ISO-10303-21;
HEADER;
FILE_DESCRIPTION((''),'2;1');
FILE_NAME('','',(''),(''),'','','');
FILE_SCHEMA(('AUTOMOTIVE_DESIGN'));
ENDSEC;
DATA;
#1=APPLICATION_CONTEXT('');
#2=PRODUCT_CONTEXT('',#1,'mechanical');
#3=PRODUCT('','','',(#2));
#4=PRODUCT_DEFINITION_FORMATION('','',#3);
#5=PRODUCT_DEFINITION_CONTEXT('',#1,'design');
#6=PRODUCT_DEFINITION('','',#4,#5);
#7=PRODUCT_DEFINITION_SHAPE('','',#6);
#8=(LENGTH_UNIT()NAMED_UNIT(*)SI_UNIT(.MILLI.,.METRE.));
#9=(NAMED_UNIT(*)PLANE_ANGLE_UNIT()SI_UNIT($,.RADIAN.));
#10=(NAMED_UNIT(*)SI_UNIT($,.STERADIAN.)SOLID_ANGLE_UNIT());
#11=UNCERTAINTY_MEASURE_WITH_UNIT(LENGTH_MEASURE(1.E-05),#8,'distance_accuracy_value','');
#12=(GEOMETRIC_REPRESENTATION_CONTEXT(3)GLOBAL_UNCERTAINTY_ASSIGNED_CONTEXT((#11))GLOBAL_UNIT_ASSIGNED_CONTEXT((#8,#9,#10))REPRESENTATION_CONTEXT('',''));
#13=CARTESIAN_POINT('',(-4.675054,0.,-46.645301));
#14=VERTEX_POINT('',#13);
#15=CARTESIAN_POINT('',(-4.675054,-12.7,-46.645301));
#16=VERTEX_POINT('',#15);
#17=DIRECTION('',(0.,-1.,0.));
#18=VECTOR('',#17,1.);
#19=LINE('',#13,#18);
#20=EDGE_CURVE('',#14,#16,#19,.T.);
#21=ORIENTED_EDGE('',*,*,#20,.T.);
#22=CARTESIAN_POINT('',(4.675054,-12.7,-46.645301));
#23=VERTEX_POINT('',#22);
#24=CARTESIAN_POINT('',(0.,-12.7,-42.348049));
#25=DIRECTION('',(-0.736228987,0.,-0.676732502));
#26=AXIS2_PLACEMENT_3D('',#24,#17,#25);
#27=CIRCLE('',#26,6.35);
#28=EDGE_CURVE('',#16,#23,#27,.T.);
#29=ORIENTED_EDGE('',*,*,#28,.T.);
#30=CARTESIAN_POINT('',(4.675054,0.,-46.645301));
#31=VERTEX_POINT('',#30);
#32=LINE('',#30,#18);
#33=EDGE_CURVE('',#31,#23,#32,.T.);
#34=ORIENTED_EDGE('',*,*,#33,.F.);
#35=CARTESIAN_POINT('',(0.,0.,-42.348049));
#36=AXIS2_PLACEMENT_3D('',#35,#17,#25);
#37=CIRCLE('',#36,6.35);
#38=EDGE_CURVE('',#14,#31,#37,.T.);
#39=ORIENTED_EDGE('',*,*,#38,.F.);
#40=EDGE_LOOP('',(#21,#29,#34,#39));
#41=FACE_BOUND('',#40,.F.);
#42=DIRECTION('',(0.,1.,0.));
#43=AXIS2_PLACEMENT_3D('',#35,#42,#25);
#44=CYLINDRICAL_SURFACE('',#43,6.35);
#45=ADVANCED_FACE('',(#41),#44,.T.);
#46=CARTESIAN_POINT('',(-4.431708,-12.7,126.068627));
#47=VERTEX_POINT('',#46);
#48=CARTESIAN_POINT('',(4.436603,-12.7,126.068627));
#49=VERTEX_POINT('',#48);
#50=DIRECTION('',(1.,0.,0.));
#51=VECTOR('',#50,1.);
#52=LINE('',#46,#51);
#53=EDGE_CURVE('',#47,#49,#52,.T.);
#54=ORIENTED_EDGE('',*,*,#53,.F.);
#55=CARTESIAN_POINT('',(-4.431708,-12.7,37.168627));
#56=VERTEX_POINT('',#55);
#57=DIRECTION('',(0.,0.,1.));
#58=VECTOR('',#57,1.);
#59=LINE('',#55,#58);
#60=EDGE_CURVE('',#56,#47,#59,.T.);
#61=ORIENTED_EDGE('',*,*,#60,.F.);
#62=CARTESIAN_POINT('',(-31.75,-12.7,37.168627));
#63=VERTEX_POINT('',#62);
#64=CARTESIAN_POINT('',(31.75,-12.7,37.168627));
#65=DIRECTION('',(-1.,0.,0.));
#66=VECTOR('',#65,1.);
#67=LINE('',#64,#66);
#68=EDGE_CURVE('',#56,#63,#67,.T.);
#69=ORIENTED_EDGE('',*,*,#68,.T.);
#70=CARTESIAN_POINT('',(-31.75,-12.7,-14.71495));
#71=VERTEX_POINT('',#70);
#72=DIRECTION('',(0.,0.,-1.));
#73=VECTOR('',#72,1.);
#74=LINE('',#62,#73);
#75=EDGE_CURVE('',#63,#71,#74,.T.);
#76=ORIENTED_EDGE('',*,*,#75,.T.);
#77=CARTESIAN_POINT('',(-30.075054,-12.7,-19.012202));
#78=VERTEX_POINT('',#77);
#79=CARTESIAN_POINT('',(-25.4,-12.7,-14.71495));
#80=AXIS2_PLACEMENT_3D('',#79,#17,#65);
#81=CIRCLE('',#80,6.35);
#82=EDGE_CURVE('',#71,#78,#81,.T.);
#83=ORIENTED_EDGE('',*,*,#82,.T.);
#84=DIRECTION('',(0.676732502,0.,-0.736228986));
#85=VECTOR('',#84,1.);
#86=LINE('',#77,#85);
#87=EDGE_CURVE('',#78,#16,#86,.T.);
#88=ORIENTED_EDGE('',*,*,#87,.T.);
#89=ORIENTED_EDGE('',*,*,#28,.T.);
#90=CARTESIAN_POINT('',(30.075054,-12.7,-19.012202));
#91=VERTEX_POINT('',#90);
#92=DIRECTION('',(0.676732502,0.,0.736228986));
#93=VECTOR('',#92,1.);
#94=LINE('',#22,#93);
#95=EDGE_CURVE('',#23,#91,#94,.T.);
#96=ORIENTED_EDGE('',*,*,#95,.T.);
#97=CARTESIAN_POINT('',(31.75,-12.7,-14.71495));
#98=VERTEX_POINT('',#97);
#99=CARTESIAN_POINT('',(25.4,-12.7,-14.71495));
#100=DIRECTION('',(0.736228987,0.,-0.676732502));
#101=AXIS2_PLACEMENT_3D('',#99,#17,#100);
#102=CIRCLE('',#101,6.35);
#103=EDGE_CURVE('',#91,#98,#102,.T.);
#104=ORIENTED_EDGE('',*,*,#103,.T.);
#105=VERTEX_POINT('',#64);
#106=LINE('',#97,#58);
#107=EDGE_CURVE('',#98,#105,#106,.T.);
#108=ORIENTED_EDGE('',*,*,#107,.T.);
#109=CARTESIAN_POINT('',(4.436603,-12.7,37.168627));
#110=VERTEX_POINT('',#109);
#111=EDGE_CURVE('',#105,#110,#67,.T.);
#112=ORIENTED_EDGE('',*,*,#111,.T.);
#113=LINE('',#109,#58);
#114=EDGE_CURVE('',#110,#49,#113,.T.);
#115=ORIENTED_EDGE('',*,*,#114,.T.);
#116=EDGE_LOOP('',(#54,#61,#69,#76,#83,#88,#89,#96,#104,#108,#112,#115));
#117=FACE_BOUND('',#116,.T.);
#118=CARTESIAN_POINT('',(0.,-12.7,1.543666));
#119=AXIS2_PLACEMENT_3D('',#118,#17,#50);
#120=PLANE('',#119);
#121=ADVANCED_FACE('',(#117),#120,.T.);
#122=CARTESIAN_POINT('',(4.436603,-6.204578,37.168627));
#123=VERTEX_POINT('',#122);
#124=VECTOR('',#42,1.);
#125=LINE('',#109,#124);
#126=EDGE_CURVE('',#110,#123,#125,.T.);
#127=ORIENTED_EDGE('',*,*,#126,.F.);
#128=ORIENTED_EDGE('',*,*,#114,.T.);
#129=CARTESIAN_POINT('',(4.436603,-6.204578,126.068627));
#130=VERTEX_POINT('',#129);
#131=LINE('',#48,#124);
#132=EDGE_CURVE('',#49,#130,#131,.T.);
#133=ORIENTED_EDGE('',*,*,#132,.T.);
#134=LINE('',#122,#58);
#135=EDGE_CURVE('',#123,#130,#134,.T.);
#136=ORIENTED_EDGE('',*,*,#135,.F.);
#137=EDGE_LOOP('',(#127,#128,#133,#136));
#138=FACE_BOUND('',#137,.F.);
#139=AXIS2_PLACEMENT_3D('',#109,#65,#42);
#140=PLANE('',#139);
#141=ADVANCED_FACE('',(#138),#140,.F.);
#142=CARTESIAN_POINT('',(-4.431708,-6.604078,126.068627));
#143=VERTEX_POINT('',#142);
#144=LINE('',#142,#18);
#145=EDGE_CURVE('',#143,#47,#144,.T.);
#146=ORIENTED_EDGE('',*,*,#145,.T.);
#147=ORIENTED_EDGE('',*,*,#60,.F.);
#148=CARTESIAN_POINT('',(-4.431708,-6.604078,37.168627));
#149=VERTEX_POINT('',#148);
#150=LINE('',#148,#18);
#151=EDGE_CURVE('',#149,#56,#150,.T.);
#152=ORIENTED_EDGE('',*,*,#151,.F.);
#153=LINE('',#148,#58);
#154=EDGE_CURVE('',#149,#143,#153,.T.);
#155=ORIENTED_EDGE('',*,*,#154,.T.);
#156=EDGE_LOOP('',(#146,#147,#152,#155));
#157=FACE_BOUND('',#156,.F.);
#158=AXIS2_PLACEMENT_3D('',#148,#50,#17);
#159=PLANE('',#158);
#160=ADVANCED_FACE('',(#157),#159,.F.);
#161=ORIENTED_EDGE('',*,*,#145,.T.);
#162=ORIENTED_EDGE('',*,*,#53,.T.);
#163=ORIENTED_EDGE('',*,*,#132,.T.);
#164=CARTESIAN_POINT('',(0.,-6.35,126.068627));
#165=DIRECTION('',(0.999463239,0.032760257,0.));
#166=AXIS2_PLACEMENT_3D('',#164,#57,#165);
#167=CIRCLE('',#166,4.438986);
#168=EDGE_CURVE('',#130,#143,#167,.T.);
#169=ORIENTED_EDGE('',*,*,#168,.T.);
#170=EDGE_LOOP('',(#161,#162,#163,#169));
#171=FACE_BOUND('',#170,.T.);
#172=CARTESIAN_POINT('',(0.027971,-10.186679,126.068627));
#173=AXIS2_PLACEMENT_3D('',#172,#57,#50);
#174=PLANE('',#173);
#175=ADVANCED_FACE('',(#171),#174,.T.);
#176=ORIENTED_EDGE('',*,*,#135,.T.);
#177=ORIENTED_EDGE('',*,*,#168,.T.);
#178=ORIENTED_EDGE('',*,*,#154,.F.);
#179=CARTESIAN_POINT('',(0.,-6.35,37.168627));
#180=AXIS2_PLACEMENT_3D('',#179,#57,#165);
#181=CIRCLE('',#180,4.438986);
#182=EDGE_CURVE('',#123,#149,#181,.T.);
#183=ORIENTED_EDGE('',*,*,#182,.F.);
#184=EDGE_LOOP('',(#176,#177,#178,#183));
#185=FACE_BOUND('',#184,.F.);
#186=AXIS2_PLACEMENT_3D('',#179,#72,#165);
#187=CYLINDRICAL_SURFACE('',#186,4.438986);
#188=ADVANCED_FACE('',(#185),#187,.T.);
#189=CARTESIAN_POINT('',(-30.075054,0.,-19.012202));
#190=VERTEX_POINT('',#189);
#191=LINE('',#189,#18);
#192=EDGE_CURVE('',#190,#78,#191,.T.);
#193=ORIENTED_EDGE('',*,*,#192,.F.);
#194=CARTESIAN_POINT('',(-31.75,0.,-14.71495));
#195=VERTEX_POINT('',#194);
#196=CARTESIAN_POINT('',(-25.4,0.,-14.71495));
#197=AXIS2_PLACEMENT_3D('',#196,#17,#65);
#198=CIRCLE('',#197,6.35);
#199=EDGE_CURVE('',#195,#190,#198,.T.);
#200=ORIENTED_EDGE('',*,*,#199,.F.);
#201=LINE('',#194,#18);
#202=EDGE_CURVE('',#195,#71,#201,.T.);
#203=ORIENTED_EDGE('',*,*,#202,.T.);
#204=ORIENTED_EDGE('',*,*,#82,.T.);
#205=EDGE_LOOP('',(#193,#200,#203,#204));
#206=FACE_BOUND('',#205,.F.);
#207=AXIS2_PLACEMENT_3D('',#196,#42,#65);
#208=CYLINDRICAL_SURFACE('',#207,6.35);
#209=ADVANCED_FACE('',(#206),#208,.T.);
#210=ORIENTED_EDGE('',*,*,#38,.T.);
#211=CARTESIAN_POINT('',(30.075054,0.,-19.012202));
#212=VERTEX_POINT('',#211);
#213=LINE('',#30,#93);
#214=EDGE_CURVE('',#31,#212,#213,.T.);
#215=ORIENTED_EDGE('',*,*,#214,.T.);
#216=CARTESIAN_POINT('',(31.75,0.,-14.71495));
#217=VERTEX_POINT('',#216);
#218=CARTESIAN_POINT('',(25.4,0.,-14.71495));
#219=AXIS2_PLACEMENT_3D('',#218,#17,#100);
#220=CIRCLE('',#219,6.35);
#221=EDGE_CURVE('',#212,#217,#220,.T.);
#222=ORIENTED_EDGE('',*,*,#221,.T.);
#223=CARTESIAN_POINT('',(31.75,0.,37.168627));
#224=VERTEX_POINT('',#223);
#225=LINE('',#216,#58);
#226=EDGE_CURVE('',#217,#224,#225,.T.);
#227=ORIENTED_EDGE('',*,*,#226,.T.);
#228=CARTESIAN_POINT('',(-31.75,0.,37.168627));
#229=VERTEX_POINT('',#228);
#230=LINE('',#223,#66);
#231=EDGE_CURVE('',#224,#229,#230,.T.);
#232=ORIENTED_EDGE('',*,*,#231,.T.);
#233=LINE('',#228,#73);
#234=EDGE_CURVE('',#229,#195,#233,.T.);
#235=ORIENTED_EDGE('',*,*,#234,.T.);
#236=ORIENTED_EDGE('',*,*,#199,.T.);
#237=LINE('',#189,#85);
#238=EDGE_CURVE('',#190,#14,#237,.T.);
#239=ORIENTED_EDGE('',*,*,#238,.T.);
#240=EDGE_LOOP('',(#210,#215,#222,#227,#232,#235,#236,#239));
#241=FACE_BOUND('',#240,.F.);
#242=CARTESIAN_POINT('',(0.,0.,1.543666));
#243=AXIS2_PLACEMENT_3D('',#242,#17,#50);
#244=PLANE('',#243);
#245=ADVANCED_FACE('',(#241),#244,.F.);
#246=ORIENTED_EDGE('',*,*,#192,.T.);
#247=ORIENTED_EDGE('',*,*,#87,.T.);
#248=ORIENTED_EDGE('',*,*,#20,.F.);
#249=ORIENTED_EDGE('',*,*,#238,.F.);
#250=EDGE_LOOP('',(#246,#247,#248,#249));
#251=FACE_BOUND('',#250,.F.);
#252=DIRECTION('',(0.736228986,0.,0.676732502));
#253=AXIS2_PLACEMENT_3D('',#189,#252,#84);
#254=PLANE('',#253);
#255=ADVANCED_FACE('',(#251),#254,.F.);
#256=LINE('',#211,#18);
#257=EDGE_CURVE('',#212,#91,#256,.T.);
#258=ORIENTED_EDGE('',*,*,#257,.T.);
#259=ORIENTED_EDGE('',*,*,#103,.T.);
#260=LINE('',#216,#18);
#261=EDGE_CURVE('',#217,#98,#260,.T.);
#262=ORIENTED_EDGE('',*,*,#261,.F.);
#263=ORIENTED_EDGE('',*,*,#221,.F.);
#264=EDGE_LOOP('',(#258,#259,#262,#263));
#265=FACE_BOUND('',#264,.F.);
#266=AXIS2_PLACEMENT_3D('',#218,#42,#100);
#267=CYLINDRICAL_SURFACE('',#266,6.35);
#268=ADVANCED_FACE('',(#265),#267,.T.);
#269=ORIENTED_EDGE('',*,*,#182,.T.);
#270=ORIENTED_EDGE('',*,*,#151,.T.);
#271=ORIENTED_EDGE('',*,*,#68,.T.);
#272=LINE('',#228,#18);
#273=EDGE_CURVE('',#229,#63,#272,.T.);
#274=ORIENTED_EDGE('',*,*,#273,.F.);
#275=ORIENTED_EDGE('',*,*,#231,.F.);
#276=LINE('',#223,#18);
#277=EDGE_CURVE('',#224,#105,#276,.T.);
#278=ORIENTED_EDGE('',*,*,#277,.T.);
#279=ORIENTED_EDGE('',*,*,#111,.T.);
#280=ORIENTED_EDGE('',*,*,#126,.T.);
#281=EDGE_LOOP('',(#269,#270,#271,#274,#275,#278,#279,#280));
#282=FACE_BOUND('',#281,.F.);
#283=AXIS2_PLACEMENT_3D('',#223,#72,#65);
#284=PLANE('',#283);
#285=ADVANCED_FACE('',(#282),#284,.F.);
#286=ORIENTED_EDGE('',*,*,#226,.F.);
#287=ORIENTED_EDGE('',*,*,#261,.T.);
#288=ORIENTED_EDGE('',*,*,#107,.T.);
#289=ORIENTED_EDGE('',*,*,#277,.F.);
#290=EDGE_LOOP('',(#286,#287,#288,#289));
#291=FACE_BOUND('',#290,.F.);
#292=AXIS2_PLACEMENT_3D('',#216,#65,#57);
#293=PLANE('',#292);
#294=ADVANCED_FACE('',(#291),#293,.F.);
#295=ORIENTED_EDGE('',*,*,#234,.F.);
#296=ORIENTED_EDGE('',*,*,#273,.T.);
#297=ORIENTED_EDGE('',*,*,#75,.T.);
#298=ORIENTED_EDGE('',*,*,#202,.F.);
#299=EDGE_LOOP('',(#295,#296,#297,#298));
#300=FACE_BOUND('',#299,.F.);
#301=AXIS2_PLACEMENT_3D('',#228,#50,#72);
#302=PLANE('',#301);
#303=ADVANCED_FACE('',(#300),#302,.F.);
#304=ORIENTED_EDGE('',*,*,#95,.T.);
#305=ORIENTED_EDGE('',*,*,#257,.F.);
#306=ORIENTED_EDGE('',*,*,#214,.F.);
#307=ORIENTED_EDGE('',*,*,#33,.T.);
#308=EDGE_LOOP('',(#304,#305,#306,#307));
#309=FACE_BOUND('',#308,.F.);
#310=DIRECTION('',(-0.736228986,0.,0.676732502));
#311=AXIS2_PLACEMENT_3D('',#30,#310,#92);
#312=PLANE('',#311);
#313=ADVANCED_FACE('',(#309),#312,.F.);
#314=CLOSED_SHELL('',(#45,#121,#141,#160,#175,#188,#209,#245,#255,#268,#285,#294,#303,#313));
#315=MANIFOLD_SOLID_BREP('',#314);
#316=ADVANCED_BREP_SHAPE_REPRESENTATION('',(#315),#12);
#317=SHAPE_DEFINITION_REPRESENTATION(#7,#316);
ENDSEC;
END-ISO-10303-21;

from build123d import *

# Parameters (mm, degrees)
F1_DEPTH = 12.7
F3_DEPTH = 88.9


with BuildPart() as f1:
    # F0 (on Front) → F1 (new body)
    with BuildSketch(Plane.XZ):
        with BuildLine():
            Line((31.75, 37.1686270936), (-31.75, 37.1686270936))
            Line((-31.75, 37.1686270936), (-31.75, -14.7149503491))
            ThreePointArc((-31.75, -14.7149503491), (-31.316464033, -17.0210191569), (-30.0750540643, -19.0122017377))
            Line((-30.0750540643, -19.0122017377), (-4.6750540643, -46.6453007808))
            ThreePointArc((-4.6750540643, -46.6453007808), (0, -48.6980493923), (4.6750540643, -46.6453007808))
            Line((4.6750540643, -46.6453007808), (30.0750540643, -19.0122017377))
            ThreePointArc((30.0750540643, -19.0122017377), (31.316464033, -17.0210191569), (31.75, -14.7149503491))
            Line((31.75, -14.7149503491), (31.75, 37.1686270936))
        make_face()
    extrude(amount=F1_DEPTH)

    # F2 (on face) → F3 (join)
    with BuildSketch(Plane.XY.offset(37.1686270936)):
        with BuildLine():
            Line((-4.4317082143, -6.6040777501), (-4.4317082143, -12.7))
            Line((-4.4317082143, -12.7), (4.4366029292, -12.7))
            Line((4.4366029292, -12.7), (4.4366029292, -6.4954223107))
            ThreePointArc((4.4366029292, -6.4954223107), (0.0543828161, -10.7886524654), (-4.4317082143, -6.6040777501))
        make_face()
        with BuildLine():
            ThreePointArc((4.4366029292, -6.2045776893), (-0.1997650225, -1.9155116264), (-4.4317082143, -6.6040777501))
            ThreePointArc((-4.4317082143, -6.6040777501), (0.0543828161, -10.7886524654), (4.4366029292, -6.4954223107))
            Line((4.4366029292, -6.4954223107), (4.4366029292, -6.2045776893))
        make_face()
    extrude(amount=F3_DEPTH)


solid = f1.part
